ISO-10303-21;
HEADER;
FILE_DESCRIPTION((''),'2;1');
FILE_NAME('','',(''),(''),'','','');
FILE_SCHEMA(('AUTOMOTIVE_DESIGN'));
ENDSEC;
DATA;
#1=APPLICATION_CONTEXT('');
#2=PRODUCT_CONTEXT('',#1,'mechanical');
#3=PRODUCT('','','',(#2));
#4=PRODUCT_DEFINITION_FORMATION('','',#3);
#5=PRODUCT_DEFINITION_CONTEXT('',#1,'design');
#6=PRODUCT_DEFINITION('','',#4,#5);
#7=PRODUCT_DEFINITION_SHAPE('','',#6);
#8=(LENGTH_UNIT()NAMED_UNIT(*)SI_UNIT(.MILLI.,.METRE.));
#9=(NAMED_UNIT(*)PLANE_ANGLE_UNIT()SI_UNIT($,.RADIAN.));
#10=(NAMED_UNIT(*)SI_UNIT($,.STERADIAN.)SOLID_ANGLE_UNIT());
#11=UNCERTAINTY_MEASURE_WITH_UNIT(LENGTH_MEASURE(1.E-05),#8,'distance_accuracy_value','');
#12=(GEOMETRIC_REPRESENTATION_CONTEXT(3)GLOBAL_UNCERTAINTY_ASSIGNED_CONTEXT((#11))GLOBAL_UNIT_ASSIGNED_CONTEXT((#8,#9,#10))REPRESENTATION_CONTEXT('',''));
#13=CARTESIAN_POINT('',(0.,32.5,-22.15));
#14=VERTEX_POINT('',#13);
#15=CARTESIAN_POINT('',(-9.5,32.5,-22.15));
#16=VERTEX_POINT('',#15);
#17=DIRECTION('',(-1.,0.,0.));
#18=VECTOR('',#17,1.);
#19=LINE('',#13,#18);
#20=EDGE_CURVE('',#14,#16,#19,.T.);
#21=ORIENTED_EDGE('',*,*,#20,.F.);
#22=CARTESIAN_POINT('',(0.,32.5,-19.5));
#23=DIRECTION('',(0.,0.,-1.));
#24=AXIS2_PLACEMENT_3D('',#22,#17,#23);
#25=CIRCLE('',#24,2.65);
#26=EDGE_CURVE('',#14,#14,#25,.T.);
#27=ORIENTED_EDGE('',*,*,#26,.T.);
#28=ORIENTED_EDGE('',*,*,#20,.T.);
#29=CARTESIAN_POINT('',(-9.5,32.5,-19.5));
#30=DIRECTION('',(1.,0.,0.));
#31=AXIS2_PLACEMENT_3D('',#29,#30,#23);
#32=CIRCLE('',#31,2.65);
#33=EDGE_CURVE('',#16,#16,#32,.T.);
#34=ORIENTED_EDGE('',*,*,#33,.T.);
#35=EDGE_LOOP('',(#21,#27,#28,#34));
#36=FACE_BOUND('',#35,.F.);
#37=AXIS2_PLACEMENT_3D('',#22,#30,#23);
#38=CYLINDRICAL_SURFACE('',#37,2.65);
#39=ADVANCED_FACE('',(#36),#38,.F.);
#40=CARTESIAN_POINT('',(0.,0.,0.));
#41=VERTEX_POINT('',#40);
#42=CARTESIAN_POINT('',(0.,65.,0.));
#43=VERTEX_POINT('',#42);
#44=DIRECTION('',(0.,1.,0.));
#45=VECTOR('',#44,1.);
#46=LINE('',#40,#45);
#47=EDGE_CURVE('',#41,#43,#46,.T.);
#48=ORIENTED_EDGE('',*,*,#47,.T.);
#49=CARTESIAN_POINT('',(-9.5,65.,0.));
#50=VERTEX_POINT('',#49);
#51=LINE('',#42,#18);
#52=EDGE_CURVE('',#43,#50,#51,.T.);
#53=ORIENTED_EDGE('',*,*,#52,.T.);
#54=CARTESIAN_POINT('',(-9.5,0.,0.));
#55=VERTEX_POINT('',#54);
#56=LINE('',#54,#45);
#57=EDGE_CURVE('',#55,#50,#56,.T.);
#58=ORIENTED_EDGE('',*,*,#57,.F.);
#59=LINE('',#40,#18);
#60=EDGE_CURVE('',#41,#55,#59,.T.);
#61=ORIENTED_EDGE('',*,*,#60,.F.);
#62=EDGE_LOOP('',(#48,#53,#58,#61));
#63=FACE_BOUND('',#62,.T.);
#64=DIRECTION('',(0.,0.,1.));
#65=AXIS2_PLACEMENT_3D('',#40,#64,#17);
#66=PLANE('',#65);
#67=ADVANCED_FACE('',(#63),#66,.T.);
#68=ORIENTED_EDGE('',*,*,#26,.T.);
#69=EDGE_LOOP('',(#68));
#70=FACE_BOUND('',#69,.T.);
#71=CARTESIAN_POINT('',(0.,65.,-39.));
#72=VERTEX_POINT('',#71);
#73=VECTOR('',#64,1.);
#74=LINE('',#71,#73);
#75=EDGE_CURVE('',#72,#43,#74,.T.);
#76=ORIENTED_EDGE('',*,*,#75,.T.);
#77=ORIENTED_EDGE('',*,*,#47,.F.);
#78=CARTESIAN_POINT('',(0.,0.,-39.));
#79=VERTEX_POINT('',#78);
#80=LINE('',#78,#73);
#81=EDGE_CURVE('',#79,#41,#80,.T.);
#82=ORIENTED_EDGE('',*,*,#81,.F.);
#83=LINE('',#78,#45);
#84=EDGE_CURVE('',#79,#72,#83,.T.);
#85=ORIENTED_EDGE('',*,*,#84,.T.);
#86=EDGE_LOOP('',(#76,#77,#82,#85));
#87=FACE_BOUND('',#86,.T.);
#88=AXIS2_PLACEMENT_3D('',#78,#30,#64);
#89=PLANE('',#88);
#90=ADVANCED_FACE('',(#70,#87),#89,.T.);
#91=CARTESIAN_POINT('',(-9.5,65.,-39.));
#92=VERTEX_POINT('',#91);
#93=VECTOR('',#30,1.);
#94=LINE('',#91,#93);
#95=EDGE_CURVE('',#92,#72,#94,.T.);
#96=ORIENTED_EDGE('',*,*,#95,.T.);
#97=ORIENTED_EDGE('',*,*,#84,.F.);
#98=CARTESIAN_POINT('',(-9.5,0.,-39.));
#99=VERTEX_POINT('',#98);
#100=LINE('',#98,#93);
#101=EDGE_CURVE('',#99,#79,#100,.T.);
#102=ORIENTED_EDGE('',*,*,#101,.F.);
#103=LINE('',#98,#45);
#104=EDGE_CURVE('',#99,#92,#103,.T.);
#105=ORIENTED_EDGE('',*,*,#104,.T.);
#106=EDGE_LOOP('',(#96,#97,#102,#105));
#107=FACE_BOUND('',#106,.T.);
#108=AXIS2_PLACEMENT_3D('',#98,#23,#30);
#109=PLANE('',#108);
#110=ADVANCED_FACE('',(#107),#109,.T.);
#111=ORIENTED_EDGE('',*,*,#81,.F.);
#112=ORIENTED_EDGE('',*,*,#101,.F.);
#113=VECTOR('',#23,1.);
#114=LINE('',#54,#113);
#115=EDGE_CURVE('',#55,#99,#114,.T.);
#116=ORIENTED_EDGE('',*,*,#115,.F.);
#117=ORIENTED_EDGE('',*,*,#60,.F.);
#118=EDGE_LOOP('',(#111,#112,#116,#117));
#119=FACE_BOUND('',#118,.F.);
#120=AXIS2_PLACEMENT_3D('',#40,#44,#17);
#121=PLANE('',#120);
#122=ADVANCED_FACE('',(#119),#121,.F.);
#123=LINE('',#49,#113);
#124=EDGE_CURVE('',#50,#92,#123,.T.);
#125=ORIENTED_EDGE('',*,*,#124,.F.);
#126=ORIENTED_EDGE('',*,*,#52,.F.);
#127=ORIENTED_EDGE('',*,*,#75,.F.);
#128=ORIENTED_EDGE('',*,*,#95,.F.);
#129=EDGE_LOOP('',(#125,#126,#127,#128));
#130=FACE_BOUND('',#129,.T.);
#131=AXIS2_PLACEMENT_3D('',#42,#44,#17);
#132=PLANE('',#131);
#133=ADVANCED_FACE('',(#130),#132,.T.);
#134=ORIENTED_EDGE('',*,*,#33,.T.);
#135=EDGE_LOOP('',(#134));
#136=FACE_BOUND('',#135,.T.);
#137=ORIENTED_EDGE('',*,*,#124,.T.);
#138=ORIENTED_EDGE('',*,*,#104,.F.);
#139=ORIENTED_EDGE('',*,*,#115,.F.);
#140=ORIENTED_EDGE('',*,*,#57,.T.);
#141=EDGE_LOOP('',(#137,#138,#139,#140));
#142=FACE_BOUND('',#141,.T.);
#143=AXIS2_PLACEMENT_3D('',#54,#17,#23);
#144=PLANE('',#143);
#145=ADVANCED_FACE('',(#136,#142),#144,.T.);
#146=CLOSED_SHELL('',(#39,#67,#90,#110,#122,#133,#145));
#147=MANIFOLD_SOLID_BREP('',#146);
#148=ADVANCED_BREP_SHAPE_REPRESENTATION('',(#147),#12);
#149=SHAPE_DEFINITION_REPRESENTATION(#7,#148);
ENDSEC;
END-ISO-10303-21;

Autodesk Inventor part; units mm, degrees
ref_plane "YZ Plane" through (0, 0, 0) normal (1, 0, 0) x (0, 1, 0)
ref_plane "XZ Plane" through (0, 0, 0) normal (0, 1, 0) x (-1, 0, 0)
ref_plane "XY Plane" through (0, 0, 0) normal (0, 0, 1) x (1, 0, 0)
sketch "Sketch1" plane through (0, 0, 0) normal (0, 1, 0) x (-1, 0, 0)
  line L0 (0, 0) -> (9.5, 0)
  line L1 (9.5, 0) -> (9.5, -39)
  line L2 (9.5, -39) -> (0, -39)
  line L3 (0, -39) -> (0, 0)
  dimension "d0" = 9.5
  dimension "d2" = 39
extrude "Extrusion1" add sketch "Sketch1" along normal blind 65
sketch "Sketch2" plane through (0, 0, 0) normal (1, 0, 0) x (0, 0, -1)
  line L0 (39, 65) -> (0, 65) projected
  line L1 (0, 65) -> (39, 0)
  circle A0 centre (19.5, 32.5) radius 2.65
  point P0 (0, 0)
  dimension "d5" = 5.3
extrude "Extrusion2" cut sketch "Sketch2" against normal through all
